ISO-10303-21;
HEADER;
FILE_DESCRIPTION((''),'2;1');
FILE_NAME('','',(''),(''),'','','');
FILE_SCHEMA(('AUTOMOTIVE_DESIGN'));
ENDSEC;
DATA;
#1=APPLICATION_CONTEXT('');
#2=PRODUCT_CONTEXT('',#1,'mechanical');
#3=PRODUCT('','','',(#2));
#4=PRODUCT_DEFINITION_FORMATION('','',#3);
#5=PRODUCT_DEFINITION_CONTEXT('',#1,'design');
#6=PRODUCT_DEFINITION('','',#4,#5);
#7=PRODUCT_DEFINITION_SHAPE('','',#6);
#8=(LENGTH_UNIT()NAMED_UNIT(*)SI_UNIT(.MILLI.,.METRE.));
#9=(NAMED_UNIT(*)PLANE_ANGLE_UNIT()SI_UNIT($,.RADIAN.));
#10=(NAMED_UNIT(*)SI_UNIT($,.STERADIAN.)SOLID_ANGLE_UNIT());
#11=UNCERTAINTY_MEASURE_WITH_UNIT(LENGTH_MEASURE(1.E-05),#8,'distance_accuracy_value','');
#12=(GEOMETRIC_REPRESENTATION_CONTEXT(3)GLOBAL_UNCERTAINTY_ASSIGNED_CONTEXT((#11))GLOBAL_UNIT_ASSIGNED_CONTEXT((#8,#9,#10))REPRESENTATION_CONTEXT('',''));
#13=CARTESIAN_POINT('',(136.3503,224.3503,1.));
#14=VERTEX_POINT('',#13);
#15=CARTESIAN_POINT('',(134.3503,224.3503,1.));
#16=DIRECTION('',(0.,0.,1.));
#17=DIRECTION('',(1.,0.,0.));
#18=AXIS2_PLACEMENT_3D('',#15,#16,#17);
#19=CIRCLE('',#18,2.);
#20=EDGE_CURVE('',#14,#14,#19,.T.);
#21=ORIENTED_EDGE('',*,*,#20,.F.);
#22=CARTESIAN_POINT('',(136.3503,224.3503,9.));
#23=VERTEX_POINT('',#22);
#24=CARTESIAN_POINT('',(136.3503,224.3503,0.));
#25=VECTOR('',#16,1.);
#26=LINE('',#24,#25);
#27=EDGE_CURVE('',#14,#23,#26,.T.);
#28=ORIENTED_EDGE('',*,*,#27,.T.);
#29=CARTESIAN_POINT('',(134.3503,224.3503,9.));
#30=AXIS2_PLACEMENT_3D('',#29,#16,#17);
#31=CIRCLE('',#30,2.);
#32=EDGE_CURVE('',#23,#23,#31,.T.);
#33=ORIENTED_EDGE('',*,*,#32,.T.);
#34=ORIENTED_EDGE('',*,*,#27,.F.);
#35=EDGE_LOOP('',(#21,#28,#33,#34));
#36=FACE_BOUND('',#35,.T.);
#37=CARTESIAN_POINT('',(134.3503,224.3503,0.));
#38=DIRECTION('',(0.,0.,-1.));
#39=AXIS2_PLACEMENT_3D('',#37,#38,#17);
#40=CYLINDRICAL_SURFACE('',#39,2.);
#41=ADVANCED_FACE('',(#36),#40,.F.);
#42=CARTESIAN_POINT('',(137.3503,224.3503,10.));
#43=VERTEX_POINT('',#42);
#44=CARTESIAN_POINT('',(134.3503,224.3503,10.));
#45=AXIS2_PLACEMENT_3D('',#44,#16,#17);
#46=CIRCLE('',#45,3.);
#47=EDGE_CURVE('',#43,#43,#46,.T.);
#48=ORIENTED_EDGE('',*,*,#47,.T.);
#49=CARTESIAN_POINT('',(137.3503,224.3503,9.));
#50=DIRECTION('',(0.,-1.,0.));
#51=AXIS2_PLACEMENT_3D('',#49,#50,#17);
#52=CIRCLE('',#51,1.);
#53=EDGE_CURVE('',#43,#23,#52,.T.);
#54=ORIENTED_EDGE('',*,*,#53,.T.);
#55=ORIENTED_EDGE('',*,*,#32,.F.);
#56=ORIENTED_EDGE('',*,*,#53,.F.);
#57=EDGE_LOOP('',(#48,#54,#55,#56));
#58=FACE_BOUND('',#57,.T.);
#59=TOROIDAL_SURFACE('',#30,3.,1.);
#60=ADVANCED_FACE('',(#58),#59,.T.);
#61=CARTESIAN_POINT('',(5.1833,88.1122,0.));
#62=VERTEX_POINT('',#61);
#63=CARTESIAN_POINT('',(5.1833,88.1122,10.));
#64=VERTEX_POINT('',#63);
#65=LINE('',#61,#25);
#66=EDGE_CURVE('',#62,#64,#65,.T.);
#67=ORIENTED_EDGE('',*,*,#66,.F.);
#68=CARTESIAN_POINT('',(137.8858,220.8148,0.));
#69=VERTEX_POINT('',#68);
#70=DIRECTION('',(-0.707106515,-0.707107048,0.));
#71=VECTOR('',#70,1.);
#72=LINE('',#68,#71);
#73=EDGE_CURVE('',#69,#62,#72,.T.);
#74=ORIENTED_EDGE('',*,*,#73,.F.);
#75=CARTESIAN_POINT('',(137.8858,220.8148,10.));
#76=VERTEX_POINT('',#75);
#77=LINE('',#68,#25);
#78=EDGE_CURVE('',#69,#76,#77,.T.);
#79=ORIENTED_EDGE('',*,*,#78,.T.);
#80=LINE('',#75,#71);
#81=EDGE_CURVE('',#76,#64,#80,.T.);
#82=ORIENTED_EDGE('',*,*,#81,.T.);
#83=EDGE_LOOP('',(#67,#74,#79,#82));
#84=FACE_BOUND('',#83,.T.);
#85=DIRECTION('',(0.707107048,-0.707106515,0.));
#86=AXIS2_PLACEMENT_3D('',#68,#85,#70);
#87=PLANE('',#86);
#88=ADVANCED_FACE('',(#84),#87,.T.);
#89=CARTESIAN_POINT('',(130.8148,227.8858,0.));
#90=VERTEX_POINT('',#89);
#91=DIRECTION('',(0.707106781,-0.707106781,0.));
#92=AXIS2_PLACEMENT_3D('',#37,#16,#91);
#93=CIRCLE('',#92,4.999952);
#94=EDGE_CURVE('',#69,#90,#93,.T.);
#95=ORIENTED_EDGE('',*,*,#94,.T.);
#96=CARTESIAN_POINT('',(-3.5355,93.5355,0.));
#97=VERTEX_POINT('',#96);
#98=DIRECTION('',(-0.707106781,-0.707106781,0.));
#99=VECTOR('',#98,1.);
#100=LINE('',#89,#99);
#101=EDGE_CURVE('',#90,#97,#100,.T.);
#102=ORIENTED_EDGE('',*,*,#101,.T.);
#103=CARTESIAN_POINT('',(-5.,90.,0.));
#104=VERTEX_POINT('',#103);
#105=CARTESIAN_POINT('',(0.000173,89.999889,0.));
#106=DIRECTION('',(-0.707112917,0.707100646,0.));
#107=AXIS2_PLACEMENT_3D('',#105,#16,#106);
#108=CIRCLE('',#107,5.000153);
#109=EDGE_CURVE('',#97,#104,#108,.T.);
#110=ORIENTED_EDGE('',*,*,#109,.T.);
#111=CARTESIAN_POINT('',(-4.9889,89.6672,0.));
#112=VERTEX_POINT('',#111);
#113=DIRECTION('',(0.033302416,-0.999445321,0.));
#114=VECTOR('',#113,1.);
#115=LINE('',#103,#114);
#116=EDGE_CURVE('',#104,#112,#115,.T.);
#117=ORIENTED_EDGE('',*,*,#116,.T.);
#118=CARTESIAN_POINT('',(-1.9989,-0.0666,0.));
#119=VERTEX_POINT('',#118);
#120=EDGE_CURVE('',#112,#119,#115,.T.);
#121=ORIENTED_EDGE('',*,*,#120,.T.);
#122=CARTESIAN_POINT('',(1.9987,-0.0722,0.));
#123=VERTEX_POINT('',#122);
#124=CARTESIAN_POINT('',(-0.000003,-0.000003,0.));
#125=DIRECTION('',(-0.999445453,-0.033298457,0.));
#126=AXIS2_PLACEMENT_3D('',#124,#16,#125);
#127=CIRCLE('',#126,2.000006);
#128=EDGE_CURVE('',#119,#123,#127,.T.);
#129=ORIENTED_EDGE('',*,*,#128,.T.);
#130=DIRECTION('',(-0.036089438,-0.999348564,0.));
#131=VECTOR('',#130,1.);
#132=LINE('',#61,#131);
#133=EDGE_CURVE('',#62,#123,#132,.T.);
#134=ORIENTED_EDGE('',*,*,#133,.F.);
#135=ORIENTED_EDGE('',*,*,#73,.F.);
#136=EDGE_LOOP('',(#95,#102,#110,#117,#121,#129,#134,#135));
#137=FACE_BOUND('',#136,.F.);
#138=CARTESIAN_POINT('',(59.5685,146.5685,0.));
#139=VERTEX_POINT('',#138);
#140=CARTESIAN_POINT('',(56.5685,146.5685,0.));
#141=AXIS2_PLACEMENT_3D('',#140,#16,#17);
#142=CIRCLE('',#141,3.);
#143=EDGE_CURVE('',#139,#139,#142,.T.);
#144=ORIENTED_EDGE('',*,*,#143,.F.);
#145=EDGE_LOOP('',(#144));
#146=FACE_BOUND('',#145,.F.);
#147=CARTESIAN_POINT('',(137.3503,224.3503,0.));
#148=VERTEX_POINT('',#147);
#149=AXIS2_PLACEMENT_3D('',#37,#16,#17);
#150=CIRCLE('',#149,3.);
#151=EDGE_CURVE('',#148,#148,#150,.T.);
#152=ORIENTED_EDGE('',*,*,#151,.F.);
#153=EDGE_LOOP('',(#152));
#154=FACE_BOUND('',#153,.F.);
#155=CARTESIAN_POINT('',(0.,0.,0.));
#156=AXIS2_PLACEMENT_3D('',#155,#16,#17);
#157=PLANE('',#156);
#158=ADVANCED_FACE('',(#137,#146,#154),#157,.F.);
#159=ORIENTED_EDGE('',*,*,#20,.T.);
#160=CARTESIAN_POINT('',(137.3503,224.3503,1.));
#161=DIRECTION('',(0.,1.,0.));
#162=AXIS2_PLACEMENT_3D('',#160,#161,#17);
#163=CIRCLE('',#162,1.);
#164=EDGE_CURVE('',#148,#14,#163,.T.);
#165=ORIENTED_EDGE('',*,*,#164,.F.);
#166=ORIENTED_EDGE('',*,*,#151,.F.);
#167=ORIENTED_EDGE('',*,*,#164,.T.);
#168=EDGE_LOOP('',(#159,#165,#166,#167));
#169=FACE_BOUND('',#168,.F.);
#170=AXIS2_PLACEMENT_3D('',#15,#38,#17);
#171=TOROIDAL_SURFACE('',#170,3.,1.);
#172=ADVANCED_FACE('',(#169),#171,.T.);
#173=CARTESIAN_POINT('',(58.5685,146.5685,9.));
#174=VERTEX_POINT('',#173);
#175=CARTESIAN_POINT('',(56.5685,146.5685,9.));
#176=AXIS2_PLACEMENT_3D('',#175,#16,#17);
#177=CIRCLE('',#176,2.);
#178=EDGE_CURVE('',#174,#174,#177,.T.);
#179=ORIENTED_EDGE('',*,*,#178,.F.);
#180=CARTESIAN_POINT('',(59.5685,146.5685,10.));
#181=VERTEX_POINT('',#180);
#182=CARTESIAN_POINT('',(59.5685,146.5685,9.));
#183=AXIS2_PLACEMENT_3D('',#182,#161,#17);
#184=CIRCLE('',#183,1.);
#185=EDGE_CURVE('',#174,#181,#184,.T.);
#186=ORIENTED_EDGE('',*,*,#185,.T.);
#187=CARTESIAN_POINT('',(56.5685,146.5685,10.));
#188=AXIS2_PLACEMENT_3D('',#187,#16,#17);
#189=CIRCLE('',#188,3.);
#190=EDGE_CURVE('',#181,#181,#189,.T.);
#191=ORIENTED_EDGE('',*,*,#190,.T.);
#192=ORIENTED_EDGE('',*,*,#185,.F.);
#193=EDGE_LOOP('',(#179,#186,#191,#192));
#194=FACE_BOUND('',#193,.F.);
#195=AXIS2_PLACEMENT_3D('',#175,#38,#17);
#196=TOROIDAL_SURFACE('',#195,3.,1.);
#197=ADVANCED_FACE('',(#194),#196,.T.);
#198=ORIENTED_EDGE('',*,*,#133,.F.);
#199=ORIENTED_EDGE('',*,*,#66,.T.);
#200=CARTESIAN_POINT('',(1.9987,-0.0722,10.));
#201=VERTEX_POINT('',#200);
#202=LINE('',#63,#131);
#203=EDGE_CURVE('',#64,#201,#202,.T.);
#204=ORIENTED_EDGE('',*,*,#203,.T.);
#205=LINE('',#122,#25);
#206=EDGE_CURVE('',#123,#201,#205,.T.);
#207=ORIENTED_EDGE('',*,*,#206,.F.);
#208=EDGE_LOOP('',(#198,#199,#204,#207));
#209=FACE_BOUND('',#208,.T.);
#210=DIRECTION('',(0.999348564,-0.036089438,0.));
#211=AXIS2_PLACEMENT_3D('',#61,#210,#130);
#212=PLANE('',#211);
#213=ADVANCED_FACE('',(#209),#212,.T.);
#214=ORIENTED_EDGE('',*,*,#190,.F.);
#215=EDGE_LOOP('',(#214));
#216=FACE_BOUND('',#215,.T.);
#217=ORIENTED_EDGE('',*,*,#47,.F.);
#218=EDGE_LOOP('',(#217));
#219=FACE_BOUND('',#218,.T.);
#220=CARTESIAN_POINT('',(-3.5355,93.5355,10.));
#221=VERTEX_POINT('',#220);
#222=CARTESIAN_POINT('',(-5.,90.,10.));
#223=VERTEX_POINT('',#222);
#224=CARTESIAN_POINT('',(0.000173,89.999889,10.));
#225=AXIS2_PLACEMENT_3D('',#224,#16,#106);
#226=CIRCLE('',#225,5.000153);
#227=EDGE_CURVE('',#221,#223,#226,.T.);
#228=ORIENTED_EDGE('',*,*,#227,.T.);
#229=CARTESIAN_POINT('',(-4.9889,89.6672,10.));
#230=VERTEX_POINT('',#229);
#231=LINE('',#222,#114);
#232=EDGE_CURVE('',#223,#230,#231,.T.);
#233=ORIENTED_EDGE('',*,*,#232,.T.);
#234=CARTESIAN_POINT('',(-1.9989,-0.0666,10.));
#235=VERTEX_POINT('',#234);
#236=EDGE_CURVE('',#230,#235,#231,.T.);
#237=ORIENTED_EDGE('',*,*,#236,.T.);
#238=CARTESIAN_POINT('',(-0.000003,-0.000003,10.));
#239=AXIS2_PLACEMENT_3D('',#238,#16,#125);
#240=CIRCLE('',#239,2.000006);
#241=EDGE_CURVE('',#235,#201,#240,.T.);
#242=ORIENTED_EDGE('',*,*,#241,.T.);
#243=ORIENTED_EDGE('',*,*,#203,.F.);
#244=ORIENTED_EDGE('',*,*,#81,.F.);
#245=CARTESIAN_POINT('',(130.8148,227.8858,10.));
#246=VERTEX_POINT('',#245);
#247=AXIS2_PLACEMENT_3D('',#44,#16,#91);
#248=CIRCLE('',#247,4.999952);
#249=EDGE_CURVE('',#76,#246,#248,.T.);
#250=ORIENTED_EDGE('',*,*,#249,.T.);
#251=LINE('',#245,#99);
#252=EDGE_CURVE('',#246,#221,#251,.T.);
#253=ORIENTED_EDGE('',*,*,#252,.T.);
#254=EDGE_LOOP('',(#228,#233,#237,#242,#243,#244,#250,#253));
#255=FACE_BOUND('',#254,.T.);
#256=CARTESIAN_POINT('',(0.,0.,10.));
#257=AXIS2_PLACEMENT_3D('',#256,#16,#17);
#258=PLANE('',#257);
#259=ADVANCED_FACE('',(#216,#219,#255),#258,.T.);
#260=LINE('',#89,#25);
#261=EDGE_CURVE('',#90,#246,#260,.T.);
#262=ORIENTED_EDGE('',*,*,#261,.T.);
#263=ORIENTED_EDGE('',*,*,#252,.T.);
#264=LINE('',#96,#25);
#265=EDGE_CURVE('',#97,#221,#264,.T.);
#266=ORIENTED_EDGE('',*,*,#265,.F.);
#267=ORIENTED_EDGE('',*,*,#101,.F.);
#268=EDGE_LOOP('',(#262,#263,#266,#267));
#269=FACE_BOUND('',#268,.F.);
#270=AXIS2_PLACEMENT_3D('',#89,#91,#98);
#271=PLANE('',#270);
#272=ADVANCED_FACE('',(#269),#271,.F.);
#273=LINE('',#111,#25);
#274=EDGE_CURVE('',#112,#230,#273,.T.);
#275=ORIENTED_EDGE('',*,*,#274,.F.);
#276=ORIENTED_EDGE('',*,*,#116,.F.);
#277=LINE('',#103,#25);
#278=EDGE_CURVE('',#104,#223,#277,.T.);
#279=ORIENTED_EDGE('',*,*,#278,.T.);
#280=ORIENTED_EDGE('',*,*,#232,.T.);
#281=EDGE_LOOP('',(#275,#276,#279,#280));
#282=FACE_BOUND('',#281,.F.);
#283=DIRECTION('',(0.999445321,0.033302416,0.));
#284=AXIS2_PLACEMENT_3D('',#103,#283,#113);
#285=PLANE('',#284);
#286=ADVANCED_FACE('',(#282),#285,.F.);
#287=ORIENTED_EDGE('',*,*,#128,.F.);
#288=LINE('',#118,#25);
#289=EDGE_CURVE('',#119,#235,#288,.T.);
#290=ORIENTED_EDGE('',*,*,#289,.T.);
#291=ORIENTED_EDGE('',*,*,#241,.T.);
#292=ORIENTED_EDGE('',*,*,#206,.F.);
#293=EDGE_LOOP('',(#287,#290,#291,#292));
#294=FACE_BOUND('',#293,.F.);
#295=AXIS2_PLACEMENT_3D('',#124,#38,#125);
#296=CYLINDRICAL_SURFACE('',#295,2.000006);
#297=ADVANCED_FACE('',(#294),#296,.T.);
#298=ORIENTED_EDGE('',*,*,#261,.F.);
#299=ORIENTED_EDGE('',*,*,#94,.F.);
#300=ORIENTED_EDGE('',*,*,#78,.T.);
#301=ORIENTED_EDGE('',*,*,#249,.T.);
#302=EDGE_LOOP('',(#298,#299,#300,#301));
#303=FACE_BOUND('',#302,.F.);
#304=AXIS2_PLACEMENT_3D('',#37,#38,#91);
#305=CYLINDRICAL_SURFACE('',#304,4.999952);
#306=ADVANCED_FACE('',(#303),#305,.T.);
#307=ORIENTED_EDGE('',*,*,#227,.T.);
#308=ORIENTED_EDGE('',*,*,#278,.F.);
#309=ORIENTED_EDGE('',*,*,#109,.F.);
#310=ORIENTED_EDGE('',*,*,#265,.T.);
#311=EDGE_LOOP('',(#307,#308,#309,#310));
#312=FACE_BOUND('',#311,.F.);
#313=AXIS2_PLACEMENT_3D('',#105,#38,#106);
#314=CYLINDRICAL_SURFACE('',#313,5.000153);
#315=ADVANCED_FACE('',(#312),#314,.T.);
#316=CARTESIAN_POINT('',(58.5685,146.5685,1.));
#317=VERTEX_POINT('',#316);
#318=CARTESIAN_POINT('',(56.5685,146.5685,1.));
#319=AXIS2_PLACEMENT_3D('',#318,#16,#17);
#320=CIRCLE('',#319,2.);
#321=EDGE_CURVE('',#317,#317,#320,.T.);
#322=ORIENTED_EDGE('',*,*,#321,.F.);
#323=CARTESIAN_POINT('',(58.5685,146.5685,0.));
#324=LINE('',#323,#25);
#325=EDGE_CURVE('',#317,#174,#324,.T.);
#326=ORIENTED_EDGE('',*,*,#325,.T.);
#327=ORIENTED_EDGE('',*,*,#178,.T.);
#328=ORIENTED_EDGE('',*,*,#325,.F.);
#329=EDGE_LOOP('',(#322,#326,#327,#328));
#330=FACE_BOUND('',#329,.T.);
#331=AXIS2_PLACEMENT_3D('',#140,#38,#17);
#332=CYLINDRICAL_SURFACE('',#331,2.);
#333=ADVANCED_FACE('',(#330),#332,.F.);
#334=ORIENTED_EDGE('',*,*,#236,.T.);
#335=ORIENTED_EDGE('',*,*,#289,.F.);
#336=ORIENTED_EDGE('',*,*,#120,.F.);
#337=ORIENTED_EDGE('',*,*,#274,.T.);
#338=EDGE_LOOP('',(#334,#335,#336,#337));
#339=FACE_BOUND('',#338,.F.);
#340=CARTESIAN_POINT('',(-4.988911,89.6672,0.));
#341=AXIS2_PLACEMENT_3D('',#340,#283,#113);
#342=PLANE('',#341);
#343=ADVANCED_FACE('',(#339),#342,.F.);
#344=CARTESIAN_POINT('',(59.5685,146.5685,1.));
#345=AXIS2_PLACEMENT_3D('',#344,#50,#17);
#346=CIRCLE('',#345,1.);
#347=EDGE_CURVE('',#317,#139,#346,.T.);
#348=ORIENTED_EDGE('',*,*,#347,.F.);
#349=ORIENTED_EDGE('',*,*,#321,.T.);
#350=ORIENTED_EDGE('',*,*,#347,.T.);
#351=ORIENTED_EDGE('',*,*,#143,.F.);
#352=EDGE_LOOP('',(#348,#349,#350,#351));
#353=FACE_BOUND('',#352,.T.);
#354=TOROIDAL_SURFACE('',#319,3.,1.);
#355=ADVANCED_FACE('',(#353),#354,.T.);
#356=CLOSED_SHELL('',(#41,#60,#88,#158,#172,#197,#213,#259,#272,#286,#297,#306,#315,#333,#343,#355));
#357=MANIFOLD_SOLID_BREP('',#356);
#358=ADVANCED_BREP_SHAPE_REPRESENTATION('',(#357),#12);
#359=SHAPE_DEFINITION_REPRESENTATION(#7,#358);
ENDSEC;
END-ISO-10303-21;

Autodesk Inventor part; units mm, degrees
ref_plane "YZ Plane" through (0, 0, 0) normal (1, 0, 0) x (0, 1, 0)
ref_plane "XZ Plane" through (0, 0, 0) normal (0, 1, 0) x (-1, 0, 0)
ref_plane "XY Plane" through (0, 0, 0) normal (0, 0, 1) x (1, 0, 0)
sketch "Sketch1" plane through (0, 0, 0) normal (0, 0, 1) x (1, 0, 0)
  circle A0 centre (134.3503, 224.3503) radius 2
  arc A1 (-3.5355, 93.5355) -> (-4.9889, 89.6672) centre (0, 90) ccw
  arc A2 (137.8858, 220.8148) -> (130.8148, 227.8858) centre (134.3503, 224.3503) ccw
  arc A3 (-1.9989, -0.0666) -> (1.9987, -0.0722) centre (0, 0) ccw
  circle A4 centre (56.5685, 146.5685) radius 2
  line L0 (-5, 90) -> (-1.9989, -0.0666)
  line L1 (130.8148, 227.8858) -> (-3.5355, 93.5355)
  line L2 (137.8858, 220.8148) -> (5.1833, 88.1122)
  line L3 (5.1833, 88.1122) -> (1.9987, -0.0722)
  dimension "d5" = 4
  dimension "d6" = 10
  dimension "d7" = 10
  dimension "d8" = 4
  dimension "d9" = 4
  dimension "d23" = 90
  dimension "d30" = 5
  dimension "d45" = 80
  dimension "d46" = 110
  dimension "d47" = 135
extrude "Extrusion2" add sketch "Sketch1" along normal blind 10 contours L1 A2 L2 L3 A3 L0 A1
fillet "Fillet1" radius 1 1 edges at (54.5685, 146.5685, 10)
fillet "Fillet2" radius 1 3 edges at (54.5685, 146.5685, 0) (132.3503, 224.3503, 0) (132.3503, 224.3503, 10)
equation "\"BendRadius\" = Thickness"
equation "\"BendReliefWidth\" = Thickness"
equation "\"BendReliefDepth\" = 0.5 * Thickness"
equation "\"CornerReliefSize\" = 4 * Thickness"
equation "\"MinimumRemnant\" = 2 * Thickness"
equation "\"TransitionRadius\" = BendRadius"
equation "\"JacobiRadiusSize\" = Thickness"
equation "\"GapSize\" = Thickness"
equation "\"Thickness\" = 0.5"
properties part number "Leg Spider Crab" material "Aluminum 6061"
